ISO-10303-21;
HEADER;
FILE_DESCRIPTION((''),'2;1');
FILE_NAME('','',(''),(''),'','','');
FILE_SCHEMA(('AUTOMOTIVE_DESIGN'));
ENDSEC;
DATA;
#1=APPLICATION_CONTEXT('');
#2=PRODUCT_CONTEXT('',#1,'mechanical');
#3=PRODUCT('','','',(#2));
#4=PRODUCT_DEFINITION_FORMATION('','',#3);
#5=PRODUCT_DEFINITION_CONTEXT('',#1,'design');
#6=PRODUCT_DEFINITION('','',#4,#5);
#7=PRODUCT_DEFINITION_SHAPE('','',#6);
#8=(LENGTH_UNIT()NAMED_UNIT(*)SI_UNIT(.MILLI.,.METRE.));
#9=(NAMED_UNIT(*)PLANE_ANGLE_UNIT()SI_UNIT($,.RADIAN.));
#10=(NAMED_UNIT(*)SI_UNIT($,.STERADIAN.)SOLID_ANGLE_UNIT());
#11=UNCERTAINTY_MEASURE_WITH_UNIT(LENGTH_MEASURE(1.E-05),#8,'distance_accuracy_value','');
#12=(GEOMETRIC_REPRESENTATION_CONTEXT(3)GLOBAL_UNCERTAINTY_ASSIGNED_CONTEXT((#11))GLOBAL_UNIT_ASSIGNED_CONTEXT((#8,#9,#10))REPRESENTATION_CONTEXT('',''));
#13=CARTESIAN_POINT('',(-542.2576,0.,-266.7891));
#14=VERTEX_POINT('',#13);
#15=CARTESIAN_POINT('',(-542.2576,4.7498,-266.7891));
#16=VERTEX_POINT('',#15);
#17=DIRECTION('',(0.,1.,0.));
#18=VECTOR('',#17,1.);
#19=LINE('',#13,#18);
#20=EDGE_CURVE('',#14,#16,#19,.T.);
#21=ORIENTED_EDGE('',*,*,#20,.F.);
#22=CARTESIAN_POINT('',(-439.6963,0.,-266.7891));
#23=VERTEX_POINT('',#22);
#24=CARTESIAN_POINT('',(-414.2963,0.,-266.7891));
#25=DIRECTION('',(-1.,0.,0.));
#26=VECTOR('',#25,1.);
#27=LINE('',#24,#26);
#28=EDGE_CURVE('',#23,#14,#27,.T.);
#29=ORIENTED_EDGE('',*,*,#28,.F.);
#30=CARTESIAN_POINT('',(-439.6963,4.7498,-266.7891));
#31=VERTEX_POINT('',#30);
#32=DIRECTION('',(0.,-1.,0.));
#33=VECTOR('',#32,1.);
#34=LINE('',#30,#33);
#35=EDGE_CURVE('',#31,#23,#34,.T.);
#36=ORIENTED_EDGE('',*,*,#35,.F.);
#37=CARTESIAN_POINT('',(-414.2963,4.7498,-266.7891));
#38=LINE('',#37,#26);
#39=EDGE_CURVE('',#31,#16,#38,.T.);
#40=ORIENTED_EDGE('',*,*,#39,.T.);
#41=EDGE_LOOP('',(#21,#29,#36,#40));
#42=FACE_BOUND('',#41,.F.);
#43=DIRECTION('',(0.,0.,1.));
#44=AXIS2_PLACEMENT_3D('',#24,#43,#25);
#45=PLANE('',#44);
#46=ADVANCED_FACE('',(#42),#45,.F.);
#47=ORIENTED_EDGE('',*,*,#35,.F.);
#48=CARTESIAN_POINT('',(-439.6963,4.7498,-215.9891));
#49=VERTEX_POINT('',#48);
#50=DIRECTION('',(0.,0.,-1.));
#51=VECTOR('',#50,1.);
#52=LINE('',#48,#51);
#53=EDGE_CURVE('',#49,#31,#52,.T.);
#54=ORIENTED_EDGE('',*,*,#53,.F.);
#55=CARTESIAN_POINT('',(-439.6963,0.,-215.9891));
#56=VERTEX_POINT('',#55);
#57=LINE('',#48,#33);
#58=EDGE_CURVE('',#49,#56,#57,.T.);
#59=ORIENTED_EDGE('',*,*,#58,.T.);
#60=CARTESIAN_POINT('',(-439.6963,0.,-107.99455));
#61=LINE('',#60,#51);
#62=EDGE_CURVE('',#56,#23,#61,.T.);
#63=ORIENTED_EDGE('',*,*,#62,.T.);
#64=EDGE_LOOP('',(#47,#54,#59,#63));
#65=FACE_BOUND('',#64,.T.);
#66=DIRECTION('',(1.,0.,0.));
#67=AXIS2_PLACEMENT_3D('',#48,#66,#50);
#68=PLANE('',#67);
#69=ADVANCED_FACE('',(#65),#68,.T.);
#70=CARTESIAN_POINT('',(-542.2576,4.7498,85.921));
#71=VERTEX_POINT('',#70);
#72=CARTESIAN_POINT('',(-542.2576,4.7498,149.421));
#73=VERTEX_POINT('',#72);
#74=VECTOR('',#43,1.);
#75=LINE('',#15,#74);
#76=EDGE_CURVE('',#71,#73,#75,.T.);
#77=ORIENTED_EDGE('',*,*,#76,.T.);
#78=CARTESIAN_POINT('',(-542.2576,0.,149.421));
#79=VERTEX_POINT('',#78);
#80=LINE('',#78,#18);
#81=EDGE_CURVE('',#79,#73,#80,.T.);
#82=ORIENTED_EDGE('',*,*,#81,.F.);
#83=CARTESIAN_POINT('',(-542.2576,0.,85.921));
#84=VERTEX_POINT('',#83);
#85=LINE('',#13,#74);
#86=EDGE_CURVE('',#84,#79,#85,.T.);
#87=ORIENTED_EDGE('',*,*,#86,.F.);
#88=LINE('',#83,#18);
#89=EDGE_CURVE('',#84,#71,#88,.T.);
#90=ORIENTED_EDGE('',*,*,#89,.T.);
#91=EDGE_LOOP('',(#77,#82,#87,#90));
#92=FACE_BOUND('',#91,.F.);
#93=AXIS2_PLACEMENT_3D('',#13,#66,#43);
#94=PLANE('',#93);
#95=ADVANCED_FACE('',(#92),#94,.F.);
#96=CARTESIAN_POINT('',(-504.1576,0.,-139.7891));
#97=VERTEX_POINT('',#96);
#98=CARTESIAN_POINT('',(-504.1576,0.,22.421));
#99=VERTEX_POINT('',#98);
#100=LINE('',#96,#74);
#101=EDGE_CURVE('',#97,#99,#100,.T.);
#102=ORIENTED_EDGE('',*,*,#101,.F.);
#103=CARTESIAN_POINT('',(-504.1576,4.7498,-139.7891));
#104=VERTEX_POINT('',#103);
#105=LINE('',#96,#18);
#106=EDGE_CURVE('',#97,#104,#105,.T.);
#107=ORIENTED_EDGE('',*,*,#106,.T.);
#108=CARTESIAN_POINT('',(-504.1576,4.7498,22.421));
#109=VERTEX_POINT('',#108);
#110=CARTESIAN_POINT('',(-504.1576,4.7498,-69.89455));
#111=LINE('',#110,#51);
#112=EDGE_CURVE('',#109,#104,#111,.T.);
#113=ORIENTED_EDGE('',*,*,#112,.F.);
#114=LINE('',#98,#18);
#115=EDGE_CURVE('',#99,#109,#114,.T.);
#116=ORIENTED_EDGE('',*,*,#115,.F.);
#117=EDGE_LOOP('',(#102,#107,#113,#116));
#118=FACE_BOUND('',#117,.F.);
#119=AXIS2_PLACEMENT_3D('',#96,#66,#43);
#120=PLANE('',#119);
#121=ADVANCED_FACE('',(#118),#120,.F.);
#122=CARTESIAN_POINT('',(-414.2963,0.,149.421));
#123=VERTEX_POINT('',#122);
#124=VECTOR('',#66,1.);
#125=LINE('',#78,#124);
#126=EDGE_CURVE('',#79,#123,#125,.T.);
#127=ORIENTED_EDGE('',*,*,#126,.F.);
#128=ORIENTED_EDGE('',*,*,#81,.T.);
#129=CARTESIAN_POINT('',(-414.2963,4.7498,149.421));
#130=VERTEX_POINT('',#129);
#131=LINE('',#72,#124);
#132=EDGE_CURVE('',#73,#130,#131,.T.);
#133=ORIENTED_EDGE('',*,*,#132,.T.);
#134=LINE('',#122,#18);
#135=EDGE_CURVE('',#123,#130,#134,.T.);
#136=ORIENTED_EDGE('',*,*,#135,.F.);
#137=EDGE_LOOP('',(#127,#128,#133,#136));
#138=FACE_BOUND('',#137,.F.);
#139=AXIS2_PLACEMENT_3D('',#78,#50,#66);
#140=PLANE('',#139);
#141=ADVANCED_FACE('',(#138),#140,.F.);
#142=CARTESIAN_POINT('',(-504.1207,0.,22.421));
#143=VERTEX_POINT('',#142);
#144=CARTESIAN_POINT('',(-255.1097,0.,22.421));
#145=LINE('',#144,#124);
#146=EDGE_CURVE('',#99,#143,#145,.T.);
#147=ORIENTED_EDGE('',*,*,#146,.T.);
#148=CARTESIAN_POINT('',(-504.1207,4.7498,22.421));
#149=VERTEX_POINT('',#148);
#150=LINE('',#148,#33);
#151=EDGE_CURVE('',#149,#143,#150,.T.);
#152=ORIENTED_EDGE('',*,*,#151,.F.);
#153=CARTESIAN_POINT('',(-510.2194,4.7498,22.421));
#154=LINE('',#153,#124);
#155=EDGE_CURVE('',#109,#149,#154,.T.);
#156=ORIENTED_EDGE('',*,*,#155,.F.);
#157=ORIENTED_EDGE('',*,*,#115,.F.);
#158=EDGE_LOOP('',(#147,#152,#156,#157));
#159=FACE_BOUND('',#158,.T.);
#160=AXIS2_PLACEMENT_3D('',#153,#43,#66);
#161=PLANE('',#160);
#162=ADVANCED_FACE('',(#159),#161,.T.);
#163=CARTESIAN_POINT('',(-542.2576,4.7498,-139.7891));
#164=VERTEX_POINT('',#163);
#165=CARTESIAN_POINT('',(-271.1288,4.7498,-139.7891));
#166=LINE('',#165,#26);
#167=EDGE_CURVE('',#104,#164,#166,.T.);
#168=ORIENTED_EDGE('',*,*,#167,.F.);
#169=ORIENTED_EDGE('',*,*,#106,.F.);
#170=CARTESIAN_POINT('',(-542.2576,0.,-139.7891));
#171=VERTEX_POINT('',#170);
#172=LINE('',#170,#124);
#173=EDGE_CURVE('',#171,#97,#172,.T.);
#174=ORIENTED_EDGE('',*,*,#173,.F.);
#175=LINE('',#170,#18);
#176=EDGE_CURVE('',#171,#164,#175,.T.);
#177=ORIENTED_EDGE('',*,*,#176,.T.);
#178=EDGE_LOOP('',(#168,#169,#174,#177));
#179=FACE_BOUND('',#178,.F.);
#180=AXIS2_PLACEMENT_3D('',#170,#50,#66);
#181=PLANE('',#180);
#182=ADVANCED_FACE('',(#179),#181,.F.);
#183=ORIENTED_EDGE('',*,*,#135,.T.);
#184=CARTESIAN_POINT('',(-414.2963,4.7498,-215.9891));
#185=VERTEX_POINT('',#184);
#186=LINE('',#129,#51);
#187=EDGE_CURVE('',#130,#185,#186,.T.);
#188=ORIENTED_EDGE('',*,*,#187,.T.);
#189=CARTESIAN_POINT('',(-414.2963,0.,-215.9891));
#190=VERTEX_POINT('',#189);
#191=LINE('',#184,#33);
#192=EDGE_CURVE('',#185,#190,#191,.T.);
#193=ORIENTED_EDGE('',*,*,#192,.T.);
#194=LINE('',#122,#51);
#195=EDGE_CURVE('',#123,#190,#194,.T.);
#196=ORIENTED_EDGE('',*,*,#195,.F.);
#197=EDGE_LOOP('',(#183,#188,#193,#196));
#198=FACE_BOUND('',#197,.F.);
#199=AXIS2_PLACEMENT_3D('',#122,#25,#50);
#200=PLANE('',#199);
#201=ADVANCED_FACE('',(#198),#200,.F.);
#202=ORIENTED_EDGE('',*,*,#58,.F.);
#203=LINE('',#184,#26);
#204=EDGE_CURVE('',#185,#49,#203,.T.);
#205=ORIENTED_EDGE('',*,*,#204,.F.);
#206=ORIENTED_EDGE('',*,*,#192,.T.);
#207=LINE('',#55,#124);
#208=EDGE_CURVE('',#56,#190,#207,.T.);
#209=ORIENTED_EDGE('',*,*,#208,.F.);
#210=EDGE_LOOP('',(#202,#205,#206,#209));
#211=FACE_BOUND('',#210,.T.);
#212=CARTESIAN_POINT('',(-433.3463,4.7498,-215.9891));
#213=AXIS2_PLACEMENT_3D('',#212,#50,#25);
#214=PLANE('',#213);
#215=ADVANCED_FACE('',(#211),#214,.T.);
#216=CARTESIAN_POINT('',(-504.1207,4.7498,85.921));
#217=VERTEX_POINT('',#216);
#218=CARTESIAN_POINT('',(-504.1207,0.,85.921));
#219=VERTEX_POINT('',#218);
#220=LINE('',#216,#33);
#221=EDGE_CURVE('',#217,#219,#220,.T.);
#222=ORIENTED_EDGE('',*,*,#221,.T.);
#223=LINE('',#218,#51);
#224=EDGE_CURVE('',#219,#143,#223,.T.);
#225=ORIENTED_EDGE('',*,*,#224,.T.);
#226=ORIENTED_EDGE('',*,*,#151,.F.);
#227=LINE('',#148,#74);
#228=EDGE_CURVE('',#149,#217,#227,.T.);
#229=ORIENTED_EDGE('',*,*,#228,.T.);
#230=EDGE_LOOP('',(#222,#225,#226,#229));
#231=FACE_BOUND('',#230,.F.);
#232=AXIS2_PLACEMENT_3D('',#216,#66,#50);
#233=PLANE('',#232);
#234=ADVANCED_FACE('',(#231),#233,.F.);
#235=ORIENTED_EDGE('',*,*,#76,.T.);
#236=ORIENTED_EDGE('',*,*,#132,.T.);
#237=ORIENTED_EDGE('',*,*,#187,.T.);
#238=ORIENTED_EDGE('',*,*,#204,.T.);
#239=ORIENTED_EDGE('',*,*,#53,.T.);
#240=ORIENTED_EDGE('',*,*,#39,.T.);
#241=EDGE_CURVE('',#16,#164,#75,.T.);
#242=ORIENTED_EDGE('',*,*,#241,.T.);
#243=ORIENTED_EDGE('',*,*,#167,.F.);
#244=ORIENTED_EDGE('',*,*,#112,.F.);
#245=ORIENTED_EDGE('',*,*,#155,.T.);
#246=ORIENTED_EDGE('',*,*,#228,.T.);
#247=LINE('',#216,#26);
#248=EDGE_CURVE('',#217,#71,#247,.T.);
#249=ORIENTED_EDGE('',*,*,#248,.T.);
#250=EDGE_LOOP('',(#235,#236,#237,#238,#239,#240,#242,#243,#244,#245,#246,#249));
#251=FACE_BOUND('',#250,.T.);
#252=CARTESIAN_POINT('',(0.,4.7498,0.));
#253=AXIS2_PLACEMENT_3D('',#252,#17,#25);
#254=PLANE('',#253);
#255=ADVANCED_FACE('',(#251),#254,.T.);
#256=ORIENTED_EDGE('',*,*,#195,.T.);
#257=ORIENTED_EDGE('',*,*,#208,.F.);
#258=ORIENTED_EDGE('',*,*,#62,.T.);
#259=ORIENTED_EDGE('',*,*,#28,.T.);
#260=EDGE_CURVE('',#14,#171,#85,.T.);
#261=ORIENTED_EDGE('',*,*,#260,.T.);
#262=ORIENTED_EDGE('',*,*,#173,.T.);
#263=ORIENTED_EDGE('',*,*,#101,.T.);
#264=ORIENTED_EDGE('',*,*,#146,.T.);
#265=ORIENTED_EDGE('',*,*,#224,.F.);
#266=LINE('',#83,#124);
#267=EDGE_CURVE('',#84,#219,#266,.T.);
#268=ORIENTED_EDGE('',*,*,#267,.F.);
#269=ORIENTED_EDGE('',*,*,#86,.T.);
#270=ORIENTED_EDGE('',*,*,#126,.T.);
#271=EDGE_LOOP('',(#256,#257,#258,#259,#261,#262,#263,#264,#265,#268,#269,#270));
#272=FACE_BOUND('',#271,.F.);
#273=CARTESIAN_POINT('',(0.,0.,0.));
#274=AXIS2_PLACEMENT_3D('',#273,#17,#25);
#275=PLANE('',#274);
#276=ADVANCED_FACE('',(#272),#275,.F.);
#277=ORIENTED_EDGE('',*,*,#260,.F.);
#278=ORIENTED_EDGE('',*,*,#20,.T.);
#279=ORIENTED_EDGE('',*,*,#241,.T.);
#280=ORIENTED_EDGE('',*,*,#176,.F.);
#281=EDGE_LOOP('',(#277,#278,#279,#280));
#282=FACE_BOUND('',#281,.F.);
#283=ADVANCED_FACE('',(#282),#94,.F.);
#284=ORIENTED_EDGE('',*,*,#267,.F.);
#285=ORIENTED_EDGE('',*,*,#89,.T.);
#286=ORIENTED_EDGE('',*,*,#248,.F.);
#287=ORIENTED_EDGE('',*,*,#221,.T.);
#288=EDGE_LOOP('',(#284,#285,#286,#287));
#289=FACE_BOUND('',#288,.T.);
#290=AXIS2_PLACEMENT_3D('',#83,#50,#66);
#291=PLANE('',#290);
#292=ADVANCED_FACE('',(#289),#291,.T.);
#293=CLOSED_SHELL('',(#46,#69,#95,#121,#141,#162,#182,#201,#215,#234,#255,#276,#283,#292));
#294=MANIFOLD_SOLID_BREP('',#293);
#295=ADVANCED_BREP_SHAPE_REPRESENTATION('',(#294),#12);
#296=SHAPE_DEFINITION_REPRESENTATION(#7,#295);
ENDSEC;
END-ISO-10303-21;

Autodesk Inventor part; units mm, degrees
ref_plane "YZ Plane" through (0, 0, 0) normal (1, 0, 0) x (0, 1, 0)
ref_plane "XZ Plane" through (0, 0, 0) normal (0, 1, 0) x (-1, 0, 0)
ref_plane "XY Plane" through (0, 0, 0) normal (0, 0, 1) x (1, 0, 0)
sketch "Sketch1" plane through (0, 0, 0) normal (0, 1, 0) x (-1, 0, 0)
  line L0 (542.2576, 149.421) -> (414.2963, 149.421)
  line L1 (414.2963, 149.421) -> (414.2963, -266.7891)
  line L2 (414.2963, -266.7891) -> (542.2576, -266.7891)
  line L3 (542.2576, -266.7891) -> (542.2576, 149.421)
  point P0 (0, 0)
extrude "Extrusion1" add sketch "Sketch1" along normal blind 4.7498
sketch "Sketch2" plane through (0, 0, 0) normal (0, -1, 0) x (1, 0, 0)
  point P0 (0, 0)
sketch "Sketch3" plane through (0, 0, 0) normal (0, -1, 0) x (1, 0, 0)
  line L0 (-542.2576, 149.421) -> (-414.2963, 149.421) projected
  line L1 (-542.2576, 149.421) -> (-542.2576, 22.421)
  line L2 (-542.2576, -266.7891) -> (-542.2576, 149.421) projected
  line L3 (-414.2963, -266.7891) -> (-542.2576, -266.7891) projected
  line L4 (-542.2576, -266.7891) -> (-542.2576, -139.7891)
  line L5 (-542.2576, -139.7891) -> (-504.1576, -139.7891)
  line L6 (-504.1576, -139.7891) -> (-504.1576, 22.421)
  line L7 (-504.1576, 22.421) -> (-542.2576, 22.421)
  line L8 (-504.1576, -139.7891) -> (-542.2576, -139.7891)
  line L9 (-542.2576, -139.7891) -> (-542.2576, 22.421)
  line L10 (-542.2576, 22.421) -> (-504.1576, 22.421)
  line L11 (-504.1576, 22.421) -> (-504.1576, -139.7891)
  point P0 (0, 0)
  dimension "d2" = 127
  dimension "d3" = 127
  dimension "d4" = 38.1
extrude "Extrusion2" cut sketch "Sketch3" against normal blind 65.0875
sketch "Sketch4" plane through (0, 0, 0) normal (0, -1, 0) x (1, 0, 0)
  point P0 (0, 0)
sketch "Sketch5" plane through (0, 0, 0) normal (0, -1, 0) x (1, 0, 0)
  line L0 (-542.2576, 22.421) -> (-542.2576, 85.921)
  line L1 (-542.2576, 22.421) -> (-542.2576, 149.421) projected
  line L2 (-510.2194, 85.921) -> (-510.2194, 22.421)
  line L3 (-542.2576, 22.421) -> (-504.1576, 22.421) projected
  line L4 (-542.2576, 85.921) -> (-510.2194, 85.921)
  point P0 (0, 0)
sketch "Sketch6" plane through (0, 0, 0) normal (0, -1, 0) x (1, 0, 0)
  point P0 (0, 0)
extrude "Extrusion3" cut sketch "Sketch5" against normal blind 123.825
sketch "Sketch7" plane through (0, 4.7498, 0) normal (0, 1, 0) x (1, 0, 0)
  line L0 (-414.2963, -149.421) -> (-414.2963, 266.7891) projected
  line L1 (-414.2963, 266.7891) -> (-433.3463, 266.7891)
  line L2 (-414.2963, 266.7891) -> (-542.2576, 266.7891) projected
  line L3 (-433.3463, 266.7891) -> (-433.3463, 215.9891)
  line L4 (-433.3463, 215.9891) -> (-414.2963, 215.9891)
  point P0 (0, 0)
  dimension "d9" = 19.05
  dimension "d11" = 50.8
extrude "Extrusion4" cut sketch "Sketch7" against normal blind 42.8625
sketch "Sketch8" plane through (0, 4.7498, 0) normal (0, 1, 0) x (1, 0, 0)
  line L0 (-510.2194, -22.421) -> (-504.1207, -22.421)
  line L1 (-504.1207, -22.421) -> (-504.1207, -85.7832)
  line L2 (-510.2194, -85.921) -> (-510.2194, -22.421) projected
  line L3 (-510.2194, -85.7832) -> (-510.2194, -22.421)
  line L4 (-542.2576, -85.921) -> (-510.2194, -85.921) projected
  line L5 (-510.2194, -85.7832) -> (-510.2194, -85.921)
  line L6 (-510.2194, -85.921) -> (-504.1207, -85.921)
  line L7 (-504.1207, -85.921) -> (-504.1207, -85.7832)
  point P0 (0, 0)
extrude "Extrusion5" cut sketch "Sketch8" against normal blind 28.575
sketch "Sketch9" plane through (0, 4.7498, 0) normal (0, 1, 0) x (1, 0, 0)
  point P0 (0, 0)
sketch "Sketch10" plane through (0, 4.7498, 0) normal (0, 1, 0) x (1, 0, 0)
  line L0 (-414.2963, 215.9891) -> (-433.3463, 215.9891) projected
  line L1 (-433.3463, 215.9891) -> (-439.6963, 215.9891)
  line L2 (-439.6963, 215.9891) -> (-439.6963, 266.7891)
  line L3 (-433.3463, 266.7891) -> (-542.2576, 266.7891) projected
  line L4 (-433.3463, 266.7891) -> (-433.3463, 215.9891) projected
  line L5 (-433.3463, 266.7891) -> (-433.3463, 215.9891)
  point P0 (0, 0)
  dimension "d16" = 6.35
extrude "Extrusion6" cut sketch "Sketch10" against normal blind 36.5125
properties part number "Lexan" material "Acetal Resin, White(1)"
